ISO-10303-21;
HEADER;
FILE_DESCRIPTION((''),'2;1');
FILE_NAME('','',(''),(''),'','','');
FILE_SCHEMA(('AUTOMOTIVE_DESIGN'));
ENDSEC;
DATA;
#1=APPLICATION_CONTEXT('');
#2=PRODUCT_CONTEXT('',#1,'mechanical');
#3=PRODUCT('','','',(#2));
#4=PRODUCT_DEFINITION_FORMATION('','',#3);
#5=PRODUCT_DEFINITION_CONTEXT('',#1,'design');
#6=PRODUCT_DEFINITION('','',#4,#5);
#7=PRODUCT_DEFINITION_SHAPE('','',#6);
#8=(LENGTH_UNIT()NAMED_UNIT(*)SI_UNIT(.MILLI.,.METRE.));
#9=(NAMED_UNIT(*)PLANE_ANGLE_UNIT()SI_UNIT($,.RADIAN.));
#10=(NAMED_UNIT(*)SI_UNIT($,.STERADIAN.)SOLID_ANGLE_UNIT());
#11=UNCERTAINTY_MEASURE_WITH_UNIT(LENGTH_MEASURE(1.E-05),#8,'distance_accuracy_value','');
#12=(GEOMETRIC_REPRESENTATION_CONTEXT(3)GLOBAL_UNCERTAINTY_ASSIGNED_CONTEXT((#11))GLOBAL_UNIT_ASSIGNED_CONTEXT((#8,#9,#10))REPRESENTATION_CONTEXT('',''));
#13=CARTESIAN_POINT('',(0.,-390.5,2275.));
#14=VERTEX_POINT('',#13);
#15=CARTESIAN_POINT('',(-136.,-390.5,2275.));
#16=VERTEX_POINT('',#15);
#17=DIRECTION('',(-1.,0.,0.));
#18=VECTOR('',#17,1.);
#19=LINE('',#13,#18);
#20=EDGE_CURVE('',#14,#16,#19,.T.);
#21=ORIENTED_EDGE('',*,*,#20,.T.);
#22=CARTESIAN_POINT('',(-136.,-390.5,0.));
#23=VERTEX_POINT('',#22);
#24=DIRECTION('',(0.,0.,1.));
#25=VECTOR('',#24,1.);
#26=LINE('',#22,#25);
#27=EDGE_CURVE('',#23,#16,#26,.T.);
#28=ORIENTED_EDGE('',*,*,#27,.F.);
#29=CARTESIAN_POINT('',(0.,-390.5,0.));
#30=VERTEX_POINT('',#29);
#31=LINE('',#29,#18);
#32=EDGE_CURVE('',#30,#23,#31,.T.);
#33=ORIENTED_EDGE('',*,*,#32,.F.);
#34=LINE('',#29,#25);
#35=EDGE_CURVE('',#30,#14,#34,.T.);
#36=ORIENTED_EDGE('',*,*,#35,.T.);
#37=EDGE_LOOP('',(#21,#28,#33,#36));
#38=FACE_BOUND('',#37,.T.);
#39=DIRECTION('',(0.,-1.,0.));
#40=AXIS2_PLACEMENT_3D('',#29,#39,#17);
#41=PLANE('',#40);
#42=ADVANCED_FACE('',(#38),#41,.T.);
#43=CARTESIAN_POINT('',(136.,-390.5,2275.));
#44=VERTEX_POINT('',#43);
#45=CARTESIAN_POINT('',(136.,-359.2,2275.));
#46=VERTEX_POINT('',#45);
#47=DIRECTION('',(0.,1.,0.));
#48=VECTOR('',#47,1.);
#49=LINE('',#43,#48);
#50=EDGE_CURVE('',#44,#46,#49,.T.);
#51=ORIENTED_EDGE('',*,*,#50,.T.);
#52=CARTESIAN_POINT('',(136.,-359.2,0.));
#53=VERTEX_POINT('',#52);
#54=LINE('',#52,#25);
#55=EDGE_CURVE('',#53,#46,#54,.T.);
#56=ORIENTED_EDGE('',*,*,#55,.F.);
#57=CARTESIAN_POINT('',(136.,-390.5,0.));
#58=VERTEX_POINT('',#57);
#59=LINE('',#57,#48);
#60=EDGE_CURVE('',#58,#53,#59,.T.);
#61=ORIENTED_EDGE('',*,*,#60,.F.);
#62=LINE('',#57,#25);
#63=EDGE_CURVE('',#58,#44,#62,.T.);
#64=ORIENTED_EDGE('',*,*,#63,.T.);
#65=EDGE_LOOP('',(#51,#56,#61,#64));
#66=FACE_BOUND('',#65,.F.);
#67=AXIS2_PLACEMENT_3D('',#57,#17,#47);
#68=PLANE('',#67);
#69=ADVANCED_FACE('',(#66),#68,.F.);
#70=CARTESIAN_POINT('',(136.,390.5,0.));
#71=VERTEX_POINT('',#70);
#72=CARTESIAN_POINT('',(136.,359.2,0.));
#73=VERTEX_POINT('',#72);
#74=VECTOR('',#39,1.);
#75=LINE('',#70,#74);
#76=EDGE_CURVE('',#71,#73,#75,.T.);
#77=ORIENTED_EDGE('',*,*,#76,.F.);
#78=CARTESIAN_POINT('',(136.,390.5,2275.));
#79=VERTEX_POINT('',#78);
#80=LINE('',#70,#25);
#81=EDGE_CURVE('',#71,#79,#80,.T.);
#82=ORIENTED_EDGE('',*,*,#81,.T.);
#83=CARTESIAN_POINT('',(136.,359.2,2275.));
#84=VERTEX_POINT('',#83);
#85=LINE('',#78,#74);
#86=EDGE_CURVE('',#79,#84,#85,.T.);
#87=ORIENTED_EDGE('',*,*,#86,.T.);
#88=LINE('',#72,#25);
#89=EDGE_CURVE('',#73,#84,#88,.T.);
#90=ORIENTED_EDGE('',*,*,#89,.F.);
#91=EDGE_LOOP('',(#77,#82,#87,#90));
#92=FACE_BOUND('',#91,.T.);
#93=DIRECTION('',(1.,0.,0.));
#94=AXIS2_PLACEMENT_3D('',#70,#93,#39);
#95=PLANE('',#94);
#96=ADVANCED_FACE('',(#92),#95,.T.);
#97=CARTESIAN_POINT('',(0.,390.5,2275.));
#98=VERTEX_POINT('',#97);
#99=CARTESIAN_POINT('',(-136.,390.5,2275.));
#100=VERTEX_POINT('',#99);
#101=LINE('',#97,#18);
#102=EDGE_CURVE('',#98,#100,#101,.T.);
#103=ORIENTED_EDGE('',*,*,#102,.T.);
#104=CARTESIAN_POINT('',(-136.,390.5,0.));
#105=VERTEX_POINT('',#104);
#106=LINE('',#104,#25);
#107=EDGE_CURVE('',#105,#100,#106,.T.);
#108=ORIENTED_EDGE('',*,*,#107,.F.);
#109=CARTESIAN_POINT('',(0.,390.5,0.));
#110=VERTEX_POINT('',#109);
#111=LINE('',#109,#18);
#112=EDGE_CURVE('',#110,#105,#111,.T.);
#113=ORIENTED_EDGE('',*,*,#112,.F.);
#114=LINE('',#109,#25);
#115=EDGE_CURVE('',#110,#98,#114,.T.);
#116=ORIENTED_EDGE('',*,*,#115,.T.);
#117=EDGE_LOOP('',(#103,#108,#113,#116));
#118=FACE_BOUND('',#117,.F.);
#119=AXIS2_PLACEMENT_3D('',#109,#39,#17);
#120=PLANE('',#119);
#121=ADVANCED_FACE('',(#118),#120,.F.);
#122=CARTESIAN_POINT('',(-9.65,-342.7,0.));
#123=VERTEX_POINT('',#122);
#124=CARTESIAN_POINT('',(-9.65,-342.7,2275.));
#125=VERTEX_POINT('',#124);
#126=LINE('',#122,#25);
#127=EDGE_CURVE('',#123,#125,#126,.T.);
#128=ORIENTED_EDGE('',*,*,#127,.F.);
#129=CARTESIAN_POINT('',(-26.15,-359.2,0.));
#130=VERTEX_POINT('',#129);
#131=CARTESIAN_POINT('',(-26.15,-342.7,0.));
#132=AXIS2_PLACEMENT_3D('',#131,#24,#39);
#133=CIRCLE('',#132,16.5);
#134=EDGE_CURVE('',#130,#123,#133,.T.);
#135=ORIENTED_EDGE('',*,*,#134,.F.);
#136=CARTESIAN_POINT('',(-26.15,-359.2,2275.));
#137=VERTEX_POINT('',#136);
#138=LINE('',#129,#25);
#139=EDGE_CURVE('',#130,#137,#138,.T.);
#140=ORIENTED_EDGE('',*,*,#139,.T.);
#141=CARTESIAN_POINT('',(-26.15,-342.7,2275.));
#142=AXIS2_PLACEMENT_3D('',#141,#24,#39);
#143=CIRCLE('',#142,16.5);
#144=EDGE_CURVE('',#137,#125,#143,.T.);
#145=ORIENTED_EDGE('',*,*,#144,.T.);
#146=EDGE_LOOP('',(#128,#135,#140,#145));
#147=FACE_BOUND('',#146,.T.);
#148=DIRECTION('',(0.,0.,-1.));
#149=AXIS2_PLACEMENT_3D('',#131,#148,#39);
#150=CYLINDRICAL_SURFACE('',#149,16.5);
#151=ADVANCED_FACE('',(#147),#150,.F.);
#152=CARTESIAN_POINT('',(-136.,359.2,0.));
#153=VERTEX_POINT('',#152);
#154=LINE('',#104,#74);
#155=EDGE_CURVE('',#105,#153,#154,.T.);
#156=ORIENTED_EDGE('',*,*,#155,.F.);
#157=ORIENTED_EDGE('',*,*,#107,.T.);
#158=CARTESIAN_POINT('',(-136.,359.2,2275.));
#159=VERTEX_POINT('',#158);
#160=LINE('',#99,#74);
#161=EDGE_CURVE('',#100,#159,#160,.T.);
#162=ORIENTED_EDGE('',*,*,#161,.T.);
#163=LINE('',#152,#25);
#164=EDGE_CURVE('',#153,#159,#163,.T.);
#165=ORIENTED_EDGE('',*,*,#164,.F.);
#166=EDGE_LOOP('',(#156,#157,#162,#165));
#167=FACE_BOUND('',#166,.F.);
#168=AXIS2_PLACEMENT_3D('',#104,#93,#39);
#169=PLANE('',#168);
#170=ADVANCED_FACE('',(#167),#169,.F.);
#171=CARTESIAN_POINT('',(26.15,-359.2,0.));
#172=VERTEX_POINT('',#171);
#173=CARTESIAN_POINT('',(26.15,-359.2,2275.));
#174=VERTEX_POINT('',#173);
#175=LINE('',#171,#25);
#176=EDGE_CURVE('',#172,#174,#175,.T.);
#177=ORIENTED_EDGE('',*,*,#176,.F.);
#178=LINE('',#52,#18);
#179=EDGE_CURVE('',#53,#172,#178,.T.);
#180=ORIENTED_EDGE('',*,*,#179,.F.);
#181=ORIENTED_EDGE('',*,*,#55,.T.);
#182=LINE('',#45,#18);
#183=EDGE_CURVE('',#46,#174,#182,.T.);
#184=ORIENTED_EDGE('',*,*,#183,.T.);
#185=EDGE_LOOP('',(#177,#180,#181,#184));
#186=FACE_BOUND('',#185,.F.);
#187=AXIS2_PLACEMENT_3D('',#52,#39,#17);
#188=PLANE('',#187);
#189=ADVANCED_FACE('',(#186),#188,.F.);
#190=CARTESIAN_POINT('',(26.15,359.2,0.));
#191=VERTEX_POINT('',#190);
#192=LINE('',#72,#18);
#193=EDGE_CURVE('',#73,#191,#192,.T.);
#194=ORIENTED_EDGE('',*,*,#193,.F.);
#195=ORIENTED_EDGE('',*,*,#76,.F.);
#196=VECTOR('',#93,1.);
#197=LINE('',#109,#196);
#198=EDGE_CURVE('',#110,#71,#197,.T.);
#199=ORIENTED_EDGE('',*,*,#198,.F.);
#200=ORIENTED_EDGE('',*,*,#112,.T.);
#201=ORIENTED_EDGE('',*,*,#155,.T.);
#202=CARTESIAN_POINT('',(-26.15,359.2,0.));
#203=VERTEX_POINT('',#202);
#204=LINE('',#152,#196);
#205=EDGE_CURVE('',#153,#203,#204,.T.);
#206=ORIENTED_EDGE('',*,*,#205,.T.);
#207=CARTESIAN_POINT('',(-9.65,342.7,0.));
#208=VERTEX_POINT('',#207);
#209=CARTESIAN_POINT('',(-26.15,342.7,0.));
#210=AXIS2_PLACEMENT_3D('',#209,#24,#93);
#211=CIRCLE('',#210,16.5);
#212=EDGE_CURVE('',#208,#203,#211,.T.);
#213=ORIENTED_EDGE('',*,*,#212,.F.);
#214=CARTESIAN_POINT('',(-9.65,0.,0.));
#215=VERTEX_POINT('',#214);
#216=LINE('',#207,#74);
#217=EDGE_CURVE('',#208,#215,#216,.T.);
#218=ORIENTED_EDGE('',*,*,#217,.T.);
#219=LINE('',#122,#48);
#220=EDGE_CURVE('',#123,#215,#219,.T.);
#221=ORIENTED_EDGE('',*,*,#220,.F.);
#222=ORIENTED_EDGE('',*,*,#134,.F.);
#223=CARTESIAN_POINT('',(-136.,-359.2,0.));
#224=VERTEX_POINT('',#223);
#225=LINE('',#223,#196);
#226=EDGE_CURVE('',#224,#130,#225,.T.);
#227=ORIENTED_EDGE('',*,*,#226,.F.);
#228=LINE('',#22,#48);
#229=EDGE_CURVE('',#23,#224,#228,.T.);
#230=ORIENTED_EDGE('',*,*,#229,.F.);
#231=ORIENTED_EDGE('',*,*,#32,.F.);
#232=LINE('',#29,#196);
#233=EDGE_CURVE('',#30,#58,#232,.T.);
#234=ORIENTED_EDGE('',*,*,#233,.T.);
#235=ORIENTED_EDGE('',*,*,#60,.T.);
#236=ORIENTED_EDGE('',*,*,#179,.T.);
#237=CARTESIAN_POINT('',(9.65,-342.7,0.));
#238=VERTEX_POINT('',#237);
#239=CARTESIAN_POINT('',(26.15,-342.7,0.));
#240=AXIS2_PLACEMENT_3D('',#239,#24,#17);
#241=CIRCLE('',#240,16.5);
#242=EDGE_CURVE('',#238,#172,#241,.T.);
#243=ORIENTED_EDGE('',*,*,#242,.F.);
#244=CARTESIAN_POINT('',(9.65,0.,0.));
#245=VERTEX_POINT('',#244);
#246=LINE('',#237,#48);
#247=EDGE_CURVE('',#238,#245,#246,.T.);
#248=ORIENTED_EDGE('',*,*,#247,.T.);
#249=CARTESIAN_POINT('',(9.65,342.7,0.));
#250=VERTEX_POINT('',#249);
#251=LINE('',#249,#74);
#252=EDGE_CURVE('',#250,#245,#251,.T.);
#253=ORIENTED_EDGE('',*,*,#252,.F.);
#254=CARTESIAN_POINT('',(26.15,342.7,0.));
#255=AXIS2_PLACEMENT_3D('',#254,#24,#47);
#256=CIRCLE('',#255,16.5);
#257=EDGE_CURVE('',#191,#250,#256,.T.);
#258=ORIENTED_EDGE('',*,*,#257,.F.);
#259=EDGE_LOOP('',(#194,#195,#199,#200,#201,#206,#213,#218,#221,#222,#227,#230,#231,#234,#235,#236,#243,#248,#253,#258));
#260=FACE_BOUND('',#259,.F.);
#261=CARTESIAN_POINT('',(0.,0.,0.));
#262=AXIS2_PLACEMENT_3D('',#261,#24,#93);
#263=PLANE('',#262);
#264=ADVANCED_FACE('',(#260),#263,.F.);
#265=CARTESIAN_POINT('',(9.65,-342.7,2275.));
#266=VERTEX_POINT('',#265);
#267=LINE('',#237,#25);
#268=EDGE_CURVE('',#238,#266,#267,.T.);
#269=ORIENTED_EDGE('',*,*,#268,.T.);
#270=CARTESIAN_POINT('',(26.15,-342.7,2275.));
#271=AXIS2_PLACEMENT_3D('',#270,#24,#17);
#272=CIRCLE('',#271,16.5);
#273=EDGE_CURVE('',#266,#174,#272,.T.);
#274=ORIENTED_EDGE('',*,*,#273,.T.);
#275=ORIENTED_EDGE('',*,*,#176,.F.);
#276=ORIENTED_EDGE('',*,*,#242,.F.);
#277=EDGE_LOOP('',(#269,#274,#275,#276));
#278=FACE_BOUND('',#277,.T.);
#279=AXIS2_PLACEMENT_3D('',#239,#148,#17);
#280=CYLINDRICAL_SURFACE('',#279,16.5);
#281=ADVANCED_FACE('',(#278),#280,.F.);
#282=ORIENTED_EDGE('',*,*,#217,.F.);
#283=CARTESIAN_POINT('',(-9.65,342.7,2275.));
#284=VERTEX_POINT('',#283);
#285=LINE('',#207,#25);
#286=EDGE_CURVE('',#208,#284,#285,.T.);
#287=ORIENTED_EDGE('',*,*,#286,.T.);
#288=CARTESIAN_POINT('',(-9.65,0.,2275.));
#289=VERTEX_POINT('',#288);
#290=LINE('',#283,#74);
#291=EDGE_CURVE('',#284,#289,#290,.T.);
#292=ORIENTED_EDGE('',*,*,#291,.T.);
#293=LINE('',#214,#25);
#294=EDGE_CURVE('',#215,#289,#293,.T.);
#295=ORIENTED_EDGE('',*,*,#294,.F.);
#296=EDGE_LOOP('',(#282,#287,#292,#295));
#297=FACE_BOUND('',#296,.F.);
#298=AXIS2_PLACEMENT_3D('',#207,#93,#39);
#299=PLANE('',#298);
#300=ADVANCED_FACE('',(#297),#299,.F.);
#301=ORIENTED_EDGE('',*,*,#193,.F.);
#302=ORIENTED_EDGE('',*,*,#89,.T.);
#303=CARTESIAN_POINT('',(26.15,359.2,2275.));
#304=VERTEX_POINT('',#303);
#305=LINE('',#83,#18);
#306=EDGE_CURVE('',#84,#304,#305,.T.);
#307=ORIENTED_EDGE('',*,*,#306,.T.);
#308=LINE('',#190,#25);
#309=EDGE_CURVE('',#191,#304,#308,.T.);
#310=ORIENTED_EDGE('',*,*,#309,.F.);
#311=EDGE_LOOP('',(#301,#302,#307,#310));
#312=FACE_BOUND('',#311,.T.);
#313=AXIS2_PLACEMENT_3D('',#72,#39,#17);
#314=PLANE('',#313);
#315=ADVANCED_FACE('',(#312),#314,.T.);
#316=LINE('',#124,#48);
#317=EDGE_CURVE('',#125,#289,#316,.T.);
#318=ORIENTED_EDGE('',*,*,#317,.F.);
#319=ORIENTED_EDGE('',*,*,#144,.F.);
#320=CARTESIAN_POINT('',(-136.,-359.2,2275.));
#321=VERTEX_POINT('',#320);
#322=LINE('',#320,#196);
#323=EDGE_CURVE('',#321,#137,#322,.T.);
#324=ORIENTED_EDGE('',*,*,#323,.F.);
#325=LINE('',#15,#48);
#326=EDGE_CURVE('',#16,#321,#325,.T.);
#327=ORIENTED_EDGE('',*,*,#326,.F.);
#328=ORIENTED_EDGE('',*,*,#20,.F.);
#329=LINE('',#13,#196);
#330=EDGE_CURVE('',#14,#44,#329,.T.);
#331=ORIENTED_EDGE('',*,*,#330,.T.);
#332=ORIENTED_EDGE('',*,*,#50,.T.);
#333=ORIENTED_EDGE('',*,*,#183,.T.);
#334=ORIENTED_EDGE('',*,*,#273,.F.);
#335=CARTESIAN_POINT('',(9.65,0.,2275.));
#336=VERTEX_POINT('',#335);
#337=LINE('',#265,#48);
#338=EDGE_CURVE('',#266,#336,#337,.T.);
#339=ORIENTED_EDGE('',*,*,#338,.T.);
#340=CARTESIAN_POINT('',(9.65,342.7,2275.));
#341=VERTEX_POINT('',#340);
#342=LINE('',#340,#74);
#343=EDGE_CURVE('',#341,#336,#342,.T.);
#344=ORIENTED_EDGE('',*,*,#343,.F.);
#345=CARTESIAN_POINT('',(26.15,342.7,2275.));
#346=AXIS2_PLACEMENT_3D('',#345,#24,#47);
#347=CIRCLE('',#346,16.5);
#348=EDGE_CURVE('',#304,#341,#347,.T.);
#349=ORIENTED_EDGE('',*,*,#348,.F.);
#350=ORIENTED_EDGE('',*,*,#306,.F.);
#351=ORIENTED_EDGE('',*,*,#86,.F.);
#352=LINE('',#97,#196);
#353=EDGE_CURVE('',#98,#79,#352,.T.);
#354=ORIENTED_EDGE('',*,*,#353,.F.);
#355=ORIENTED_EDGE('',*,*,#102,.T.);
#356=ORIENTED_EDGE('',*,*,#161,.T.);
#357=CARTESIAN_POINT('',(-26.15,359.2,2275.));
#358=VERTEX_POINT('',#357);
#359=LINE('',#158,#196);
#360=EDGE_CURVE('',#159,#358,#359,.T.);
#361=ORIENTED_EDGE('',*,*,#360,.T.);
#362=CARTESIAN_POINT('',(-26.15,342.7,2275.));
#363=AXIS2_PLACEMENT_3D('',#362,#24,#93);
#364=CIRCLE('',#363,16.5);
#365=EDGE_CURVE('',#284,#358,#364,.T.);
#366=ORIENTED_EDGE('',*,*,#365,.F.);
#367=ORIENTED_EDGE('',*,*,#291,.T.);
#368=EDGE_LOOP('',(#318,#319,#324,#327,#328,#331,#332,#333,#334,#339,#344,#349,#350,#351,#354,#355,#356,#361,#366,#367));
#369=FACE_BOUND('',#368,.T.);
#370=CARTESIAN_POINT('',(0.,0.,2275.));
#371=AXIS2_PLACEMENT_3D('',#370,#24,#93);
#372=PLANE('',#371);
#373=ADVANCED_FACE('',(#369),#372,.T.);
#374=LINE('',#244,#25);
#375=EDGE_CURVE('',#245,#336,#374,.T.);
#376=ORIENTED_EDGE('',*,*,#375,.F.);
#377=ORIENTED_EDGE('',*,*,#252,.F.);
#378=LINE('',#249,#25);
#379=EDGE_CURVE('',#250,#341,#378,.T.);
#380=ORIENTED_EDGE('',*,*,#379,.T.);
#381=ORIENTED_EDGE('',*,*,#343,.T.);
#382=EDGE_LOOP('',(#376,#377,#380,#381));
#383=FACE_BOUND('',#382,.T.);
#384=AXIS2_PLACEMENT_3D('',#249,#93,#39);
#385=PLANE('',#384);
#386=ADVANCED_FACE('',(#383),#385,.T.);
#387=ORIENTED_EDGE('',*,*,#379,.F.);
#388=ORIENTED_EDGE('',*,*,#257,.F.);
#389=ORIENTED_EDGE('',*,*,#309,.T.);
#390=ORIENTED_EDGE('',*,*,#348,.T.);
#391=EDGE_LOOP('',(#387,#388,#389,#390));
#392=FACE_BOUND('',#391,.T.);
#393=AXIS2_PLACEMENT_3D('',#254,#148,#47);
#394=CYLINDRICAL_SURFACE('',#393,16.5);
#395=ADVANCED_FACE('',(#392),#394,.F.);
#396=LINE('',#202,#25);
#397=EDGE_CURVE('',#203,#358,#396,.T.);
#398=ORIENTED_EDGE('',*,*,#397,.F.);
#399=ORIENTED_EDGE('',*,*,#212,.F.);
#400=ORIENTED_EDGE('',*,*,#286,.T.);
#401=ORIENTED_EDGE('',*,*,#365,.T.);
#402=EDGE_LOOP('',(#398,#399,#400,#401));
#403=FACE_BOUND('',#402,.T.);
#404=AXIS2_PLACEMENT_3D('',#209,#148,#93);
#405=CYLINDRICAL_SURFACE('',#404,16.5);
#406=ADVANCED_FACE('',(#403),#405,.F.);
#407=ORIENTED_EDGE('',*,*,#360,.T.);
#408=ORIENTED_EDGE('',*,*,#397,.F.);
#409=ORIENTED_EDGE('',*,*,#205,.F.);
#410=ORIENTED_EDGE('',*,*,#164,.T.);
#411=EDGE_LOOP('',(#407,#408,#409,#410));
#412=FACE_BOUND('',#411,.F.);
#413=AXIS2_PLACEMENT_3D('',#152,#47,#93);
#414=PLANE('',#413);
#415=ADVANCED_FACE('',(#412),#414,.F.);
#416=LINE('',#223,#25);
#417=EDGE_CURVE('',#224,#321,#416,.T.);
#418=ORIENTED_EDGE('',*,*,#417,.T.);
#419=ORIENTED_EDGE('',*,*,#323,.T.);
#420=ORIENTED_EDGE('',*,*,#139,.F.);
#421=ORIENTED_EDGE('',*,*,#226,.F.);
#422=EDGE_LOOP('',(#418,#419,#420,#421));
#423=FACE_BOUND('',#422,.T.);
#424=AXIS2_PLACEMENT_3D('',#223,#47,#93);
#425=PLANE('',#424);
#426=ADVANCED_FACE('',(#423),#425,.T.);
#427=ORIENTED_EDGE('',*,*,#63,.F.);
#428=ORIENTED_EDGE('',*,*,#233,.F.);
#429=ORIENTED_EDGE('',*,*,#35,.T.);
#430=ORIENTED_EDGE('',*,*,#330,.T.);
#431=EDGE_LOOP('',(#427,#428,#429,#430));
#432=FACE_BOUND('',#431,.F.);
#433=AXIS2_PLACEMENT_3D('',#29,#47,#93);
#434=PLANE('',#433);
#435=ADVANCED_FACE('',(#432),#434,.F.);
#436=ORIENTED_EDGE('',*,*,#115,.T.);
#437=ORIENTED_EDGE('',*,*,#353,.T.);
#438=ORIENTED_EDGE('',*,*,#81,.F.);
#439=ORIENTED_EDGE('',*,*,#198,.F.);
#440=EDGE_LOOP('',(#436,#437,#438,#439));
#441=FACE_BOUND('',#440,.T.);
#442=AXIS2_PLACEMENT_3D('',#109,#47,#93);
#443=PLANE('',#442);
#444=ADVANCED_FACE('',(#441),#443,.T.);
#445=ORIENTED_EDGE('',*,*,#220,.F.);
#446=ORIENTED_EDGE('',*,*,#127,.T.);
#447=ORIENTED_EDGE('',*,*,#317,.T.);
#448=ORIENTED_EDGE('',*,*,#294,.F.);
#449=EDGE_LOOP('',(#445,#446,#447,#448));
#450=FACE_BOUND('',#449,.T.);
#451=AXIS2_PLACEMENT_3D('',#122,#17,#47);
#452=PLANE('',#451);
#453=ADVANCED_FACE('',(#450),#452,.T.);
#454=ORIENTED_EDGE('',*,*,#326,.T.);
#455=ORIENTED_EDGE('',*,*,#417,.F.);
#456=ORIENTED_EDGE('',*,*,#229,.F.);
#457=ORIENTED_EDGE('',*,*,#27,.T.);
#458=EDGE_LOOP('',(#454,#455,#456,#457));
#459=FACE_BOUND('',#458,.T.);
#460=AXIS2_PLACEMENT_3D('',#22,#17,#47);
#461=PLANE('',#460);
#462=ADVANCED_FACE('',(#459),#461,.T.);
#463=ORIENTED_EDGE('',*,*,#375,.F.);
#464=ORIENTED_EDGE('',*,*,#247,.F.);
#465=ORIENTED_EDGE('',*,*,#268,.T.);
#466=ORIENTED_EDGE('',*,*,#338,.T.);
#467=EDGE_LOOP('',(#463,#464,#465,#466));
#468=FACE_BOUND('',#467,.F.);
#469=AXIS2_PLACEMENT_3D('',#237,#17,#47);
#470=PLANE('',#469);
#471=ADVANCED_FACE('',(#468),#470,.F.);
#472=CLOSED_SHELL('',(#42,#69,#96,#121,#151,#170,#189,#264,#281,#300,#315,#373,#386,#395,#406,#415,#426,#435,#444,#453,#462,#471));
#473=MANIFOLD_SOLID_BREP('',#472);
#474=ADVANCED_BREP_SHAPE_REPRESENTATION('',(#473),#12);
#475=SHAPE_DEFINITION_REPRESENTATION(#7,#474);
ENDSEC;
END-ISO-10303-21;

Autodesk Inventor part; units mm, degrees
ref_plane "YZ Plane" through (0, 0, 0) normal (1, 0, 0) x (0, 1, 0)
ref_plane "Start plane" through (0, 0, 0) normal (0, 0, 1) x (1, 0, 0)
ref_plane "End plane" through (0, 0, 2275) normal (0, 0, 1) x (1, 0, 0)
sketch "Sketch" plane through (0, 0, 0) normal (0, 0, 1) x (1, 0, 0)
  line L0 (-136, -390.5) -> (-136, -359.2)
  line L1 (-136, -359.2) -> (-26.15, -359.2)
  line L2 (-9.65, -342.7) -> (-9.65, 0)
  line L3 (-9.65, 0) -> (0, 0) construction
  line L4 (0, 0) -> (0, -390.5) construction
  line L5 (0, -390.5) -> (-136, -390.5)
  line L6 (-60, 0) -> (80, 0) construction
  line L7 (0, -60) -> (0, 80) construction
  line L8 (136, -390.5) -> (136, -359.2)
  line L9 (136, -359.2) -> (26.15, -359.2)
  line L10 (9.65, -342.7) -> (9.65, 0)
  line L11 (9.65, 0) -> (0, 0) construction
  line L12 (0, -390.5) -> (136, -390.5)
  line L13 (-136, 390.5) -> (-136, 359.2)
  line L14 (-136, 359.2) -> (-26.15, 359.2)
  line L15 (-9.65, 342.7) -> (-9.65, 0)
  line L16 (0, 390.5) -> (-136, 390.5)
  line L17 (136, 390.5) -> (136, 359.2)
  line L18 (136, 359.2) -> (26.15, 359.2)
  line L19 (0, 390.5) -> (136, 390.5)
  line L20 (9.65, 342.7) -> (9.65, 0)
  arc A0 (-9.65, 342.7) -> (-26.15, 359.2) centre (-26.15, 342.7) ccw
  arc A1 (26.15, 359.2) -> (9.65, 342.7) centre (26.15, 342.7) ccw
  arc A2 (9.65, -342.7) -> (26.15, -359.2) centre (26.15, -342.7) ccw
  arc A3 (-26.15, -359.2) -> (-9.65, -342.7) centre (-26.15, -342.7) ccw
  line L21 (0, 108) -> (0, -88) construction
  line L22 (-88, 0) -> (108, 0) construction
  point P0 (-9.65, -359.2)
  point P1 (9.65, -359.2)
  point P2 (-9.65, 359.2)
  point P3 (9.65, 359.2)
  dimension "d1" = 390.5
  dimension "d2" = 31.3
  dimension "d3" = 136
  dimension "d4" = 9.65
  dimension "d10" = 16.5
extrude "Body" add sketch "Sketch" along normal up to surface (2275 mm away) from surface at 0
sketch "Sketch4" plane through (0, 0, 0) normal (0, 0, 1) x (1, 0, 0)
  line L0 (0, 0) -> (10, 0)
ref_plane "Work Plane3" through (0, 0, 0) normal (0, -1, 0) x (1, 0, 0)
sketch "Sketch5" plane through (0, 0, 0) normal (0, -1, 0) x (1, 0, 0)
  line L0 (-2, 0) -> (12, 0) projected
  line L1 (-2, 2275) -> (12, 2275) projected
  dimension "d14" = 2275
equation "\"d1\" = 0.5 * G_H"
equation "\"d2\" = G_T1"
equation "\"d3\" = 0.5 * G_W"
equation "\"d4\" = 0.5 * G_T"
equation "\"d10\" = G_IR"
equation "\"d5\" = G_L"
equation "\"G_W\" = 272"
equation "\"G_H\" = 781"
equation "\"G_T\" = 19.3"
equation "\"G_T1\" = 31.3"
equation "\"G_IR\" = 16.5"
equation "\"G_L\" = d14"
equation "\"G_OFFSET_START\" = 0"
equation "\"G_OFFSET_END\" = 0"
equation "\"d12\" = G_OFFSET_END + B_L"
equation "\"B_L\" = 2275"
properties part number "AS 3679-1990 - 760 UB - 244 - 2275" material "Steel, Mild"
